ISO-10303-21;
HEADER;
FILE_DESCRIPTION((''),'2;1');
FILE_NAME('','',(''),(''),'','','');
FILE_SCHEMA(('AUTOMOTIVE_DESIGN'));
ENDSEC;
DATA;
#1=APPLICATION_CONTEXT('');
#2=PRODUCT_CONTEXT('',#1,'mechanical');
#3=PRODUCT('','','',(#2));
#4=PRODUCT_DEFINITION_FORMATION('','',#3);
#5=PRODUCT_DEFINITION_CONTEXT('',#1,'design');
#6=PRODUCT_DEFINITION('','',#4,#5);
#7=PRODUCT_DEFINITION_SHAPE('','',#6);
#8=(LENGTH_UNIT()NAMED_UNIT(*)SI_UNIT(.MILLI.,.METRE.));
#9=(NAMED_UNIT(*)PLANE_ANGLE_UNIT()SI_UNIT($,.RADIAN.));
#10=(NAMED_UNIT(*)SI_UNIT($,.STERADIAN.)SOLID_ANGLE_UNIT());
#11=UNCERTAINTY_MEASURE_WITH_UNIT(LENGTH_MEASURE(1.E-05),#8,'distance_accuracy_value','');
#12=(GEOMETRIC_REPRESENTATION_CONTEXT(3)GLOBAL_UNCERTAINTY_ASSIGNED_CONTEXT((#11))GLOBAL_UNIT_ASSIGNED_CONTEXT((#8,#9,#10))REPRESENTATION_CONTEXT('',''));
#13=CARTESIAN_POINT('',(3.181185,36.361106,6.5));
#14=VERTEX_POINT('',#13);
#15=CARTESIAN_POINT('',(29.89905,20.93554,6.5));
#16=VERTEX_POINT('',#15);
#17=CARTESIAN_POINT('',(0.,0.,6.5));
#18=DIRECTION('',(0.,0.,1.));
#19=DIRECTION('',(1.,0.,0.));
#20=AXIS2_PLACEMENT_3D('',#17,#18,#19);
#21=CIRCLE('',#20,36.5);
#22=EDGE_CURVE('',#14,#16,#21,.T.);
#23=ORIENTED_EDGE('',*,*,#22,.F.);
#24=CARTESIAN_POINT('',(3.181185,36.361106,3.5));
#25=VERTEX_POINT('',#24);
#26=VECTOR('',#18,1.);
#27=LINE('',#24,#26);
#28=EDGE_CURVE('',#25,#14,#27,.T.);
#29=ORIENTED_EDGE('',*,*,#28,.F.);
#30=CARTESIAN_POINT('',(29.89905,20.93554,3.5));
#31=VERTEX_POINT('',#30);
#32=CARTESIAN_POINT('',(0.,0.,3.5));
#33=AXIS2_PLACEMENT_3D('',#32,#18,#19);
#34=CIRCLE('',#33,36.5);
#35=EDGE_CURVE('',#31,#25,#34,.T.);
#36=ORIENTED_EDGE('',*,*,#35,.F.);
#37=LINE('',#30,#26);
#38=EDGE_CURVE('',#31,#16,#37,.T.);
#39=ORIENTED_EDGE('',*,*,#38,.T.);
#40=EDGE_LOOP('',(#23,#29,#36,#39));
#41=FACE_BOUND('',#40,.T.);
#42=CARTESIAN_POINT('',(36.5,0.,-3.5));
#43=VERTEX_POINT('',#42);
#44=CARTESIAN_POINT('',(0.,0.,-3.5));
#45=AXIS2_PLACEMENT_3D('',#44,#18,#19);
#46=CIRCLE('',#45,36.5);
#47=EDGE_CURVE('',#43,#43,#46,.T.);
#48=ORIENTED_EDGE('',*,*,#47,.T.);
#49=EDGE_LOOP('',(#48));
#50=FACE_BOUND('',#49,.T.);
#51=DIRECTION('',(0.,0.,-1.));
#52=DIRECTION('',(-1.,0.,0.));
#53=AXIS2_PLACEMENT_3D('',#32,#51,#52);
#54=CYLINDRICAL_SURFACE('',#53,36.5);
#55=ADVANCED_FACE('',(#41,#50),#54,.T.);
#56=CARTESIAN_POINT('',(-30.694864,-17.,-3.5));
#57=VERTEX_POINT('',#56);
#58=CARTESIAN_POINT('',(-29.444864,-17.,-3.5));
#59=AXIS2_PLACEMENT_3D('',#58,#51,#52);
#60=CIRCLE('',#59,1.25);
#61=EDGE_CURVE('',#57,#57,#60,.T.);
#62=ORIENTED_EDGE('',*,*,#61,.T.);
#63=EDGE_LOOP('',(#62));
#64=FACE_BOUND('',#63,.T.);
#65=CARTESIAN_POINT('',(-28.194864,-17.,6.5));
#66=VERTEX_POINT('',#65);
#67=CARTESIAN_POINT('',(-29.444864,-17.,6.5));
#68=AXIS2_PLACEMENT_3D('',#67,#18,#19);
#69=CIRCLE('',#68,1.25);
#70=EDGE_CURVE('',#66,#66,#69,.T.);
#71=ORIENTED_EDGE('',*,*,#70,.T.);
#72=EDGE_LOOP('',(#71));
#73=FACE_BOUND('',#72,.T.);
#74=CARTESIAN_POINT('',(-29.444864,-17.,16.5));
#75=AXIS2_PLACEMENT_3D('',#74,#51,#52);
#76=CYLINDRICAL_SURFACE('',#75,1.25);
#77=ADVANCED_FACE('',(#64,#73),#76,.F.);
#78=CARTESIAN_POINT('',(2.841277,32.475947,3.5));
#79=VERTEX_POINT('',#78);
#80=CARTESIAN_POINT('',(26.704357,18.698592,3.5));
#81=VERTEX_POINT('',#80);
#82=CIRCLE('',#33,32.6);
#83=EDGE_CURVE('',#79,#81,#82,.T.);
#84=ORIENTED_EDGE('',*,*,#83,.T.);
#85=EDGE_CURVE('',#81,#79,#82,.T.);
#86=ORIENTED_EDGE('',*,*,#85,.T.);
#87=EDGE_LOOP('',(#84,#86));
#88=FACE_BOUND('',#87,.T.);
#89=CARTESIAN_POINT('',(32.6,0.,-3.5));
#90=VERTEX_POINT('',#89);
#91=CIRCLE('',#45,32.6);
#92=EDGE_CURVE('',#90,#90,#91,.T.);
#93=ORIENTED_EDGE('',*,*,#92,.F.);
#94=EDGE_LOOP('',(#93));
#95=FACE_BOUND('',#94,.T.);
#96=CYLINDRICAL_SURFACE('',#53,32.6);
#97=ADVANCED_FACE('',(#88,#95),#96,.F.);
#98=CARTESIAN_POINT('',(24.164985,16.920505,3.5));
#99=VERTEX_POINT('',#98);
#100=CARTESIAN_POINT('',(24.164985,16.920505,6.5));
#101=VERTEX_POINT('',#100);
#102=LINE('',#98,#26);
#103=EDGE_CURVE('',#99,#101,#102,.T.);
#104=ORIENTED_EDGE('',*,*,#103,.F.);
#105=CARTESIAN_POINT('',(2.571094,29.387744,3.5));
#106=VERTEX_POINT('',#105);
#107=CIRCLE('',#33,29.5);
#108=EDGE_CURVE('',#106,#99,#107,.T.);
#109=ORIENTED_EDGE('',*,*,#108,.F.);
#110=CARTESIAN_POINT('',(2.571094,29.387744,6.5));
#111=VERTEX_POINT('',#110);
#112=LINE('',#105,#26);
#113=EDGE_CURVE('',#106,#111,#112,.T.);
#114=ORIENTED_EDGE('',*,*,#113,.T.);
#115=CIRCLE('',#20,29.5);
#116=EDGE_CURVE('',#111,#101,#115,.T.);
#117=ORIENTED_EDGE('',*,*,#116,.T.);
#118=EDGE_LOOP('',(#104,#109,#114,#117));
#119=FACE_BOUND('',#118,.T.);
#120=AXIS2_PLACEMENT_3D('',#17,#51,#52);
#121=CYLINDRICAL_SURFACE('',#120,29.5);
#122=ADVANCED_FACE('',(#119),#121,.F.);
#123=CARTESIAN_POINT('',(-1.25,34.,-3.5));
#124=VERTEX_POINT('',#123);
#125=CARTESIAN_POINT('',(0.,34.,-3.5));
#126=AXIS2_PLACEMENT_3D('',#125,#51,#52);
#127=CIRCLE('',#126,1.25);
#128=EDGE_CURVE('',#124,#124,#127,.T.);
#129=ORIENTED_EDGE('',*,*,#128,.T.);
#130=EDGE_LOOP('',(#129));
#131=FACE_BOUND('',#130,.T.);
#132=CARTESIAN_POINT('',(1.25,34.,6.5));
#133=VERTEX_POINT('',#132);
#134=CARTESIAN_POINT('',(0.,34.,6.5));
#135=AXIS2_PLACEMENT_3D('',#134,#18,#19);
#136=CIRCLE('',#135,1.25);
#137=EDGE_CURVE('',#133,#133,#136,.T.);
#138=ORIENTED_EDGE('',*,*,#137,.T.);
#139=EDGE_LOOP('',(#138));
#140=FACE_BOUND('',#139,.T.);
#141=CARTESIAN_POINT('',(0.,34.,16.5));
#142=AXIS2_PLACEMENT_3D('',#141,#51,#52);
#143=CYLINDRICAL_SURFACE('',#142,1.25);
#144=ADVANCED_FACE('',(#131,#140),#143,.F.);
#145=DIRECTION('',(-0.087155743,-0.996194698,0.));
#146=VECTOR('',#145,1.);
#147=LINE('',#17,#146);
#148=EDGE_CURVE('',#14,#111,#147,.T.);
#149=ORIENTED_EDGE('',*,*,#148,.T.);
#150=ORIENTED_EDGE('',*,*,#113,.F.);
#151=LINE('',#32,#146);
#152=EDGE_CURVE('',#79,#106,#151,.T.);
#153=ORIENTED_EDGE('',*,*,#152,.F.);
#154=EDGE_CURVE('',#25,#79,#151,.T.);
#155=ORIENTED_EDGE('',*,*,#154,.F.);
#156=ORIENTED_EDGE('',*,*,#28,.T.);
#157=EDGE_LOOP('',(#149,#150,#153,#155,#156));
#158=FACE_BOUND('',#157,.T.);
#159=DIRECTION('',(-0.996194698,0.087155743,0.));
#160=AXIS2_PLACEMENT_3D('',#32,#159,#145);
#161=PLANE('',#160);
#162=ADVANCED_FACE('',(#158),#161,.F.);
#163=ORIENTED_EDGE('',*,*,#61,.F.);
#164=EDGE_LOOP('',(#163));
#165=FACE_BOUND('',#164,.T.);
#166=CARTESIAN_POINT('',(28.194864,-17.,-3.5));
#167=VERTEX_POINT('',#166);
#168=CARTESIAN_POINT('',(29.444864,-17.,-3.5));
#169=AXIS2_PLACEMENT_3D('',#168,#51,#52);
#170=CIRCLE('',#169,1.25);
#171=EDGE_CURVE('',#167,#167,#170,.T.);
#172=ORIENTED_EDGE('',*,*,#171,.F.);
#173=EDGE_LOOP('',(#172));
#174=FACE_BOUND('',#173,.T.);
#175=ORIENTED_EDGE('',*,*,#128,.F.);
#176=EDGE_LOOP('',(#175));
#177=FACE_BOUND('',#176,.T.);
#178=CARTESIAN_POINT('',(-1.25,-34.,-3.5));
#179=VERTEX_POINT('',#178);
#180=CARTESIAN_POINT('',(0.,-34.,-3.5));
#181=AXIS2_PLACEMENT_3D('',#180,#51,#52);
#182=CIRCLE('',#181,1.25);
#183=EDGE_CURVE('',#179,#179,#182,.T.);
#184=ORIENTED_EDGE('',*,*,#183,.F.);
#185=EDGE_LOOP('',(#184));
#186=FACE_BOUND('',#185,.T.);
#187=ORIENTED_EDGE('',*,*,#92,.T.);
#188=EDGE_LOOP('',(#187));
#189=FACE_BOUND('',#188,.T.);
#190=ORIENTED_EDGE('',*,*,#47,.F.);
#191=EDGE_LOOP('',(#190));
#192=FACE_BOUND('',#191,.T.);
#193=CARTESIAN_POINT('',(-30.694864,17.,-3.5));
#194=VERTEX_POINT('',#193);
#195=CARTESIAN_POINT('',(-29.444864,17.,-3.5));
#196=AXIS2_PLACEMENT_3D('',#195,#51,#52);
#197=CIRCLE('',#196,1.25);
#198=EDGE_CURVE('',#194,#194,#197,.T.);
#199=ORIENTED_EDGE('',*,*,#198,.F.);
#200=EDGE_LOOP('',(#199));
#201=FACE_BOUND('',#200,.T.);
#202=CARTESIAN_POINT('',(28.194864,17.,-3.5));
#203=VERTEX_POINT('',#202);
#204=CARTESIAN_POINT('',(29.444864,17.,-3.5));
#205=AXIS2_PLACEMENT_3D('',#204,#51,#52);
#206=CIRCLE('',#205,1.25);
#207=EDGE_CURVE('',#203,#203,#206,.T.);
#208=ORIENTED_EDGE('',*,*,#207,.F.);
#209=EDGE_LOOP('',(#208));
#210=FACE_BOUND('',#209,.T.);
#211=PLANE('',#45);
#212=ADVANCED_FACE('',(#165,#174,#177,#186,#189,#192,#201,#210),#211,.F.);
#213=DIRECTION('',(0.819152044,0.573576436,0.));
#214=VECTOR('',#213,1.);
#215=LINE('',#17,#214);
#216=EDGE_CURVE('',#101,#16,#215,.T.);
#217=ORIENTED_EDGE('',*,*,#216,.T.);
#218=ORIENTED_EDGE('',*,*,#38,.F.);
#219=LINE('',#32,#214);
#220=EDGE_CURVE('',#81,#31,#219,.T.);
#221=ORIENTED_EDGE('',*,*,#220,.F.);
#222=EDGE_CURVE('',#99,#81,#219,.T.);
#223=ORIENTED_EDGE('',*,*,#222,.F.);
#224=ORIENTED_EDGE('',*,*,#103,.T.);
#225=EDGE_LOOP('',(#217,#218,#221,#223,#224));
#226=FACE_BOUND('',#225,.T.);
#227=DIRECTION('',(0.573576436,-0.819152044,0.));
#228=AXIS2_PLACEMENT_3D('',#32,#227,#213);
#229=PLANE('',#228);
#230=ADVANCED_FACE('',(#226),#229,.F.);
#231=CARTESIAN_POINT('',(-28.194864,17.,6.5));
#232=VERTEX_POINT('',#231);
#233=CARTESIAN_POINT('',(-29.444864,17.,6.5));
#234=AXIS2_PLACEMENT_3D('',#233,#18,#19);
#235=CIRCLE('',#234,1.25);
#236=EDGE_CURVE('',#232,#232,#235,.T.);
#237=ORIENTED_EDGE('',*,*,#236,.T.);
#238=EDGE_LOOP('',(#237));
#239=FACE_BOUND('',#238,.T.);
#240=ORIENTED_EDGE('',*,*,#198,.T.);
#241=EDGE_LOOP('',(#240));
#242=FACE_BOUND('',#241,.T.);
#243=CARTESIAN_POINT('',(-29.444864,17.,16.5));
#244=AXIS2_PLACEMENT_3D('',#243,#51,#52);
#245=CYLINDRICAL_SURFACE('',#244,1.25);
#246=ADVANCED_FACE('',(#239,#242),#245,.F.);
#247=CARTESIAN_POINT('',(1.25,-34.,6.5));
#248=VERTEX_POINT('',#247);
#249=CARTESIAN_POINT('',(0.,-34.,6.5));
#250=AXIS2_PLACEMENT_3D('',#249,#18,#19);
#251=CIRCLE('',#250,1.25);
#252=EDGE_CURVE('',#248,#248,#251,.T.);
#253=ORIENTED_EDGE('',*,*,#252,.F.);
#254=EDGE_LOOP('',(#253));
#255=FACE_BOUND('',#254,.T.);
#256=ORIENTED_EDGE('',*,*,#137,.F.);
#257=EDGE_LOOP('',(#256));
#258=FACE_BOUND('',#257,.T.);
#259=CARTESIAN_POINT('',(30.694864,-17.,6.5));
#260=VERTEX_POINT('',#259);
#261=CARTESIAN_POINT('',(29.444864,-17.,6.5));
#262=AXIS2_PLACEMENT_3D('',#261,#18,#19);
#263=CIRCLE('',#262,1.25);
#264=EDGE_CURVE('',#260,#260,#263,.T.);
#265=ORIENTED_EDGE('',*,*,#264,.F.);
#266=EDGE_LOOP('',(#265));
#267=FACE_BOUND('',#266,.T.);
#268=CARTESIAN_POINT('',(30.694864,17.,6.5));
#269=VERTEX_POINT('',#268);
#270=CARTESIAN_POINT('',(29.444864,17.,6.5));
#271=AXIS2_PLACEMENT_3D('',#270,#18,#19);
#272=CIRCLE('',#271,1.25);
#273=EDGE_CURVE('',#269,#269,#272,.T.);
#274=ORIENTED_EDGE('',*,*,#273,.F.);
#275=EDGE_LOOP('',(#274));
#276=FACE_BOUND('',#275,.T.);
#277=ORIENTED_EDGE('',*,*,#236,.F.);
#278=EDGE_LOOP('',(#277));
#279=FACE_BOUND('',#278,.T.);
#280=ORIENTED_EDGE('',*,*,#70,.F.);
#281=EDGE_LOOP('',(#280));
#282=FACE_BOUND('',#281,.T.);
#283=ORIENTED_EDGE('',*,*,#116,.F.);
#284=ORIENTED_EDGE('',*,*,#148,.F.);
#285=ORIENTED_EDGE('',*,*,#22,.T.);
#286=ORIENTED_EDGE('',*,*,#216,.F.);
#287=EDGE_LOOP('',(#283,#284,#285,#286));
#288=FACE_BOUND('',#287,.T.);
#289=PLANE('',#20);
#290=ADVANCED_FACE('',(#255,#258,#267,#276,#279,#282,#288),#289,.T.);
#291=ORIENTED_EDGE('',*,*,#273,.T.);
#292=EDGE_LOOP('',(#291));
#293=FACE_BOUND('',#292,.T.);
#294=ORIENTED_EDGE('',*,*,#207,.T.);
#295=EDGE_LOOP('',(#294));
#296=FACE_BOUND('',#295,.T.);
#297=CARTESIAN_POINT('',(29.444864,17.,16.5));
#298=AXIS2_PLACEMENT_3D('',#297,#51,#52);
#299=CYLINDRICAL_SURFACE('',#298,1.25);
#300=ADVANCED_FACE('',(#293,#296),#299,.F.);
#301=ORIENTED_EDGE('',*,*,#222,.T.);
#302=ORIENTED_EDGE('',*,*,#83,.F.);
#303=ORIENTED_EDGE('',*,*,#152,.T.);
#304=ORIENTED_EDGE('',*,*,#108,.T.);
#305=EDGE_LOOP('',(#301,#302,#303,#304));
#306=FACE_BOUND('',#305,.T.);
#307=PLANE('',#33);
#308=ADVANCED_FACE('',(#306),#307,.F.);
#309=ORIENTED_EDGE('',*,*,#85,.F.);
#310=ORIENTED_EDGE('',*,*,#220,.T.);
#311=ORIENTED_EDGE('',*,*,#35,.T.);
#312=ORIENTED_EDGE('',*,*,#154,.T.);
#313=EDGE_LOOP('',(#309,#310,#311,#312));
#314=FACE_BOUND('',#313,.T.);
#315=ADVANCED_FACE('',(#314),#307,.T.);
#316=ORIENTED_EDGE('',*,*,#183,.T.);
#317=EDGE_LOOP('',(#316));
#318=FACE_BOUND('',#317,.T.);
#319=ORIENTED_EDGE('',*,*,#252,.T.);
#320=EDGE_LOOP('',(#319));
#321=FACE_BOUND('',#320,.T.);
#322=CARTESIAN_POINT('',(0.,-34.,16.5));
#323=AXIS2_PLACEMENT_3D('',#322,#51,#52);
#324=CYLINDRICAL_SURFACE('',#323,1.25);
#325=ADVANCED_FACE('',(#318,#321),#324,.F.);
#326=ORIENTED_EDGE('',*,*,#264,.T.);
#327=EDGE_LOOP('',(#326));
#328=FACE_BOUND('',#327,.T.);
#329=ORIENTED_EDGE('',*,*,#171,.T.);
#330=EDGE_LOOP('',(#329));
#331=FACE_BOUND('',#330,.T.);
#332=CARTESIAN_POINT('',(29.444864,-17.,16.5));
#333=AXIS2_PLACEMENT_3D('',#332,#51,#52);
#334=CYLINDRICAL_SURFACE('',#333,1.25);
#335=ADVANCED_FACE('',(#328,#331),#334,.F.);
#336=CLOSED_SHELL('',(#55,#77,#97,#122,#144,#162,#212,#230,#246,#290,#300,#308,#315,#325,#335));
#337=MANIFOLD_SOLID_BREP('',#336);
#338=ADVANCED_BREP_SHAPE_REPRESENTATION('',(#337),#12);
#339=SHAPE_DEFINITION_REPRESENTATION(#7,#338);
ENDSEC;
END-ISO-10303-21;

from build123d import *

# Parameters (mm, degrees)
SKETCH_1_R          = 36.5
SKETCH_1_R_2        = 32.6
EXTRUDE_1_DEPTH     = 3.5
EXTRUDE_START       = 3
SKETCH_2_R          = 36.5
SKETCH_2_R_2        = 29.5
EXTRUDE_2_DEPTH     = 3
SKETCH_3_R          = 1.25
CUT_EXTRUDE_1_DEPTH = 20
CUT_EXTRUDE_2_DEPTH = 3


with BuildPart() as part:
    # 草图1 → 凸台-拉伸1 (new, symmetric)
    with BuildSketch(Plane.XY):
        Circle(SKETCH_1_R)
        Circle(SKETCH_1_R_2, mode=Mode.SUBTRACT)
    extrude(amount=EXTRUDE_1_DEPTH, both=True)

    # 草图2 → 凸台-拉伸2 (add)
    with BuildSketch(Plane.XY.offset(3.5).offset(EXTRUDE_START)):
        Circle(SKETCH_2_R)
        Circle(SKETCH_2_R_2, mode=Mode.SUBTRACT)
    extrude(amount=-EXTRUDE_2_DEPTH)

    # 草图3 → 切除-拉伸1 (cut)
    with BuildSketch(Plane(origin=(0, 0, -3.5), x_dir=(-1, 0, 0), z_dir=(0, 0, -1))):
        with Locations((0, 34)):
            Circle(SKETCH_3_R)
        with Locations((29.444863729, 17)):
            Circle(SKETCH_3_R)
        with Locations((29.444863729, -17)):
            Circle(SKETCH_3_R)
        with Locations((0, -34)):
            Circle(SKETCH_3_R)
        with Locations((-29.444863729, -17)):
            Circle(SKETCH_3_R)
        with Locations((-29.444863729, 17)):
            Circle(SKETCH_3_R)
    extrude(amount=-CUT_EXTRUDE_1_DEPTH, mode=Mode.SUBTRACT)

    # 草图4 → 切除-拉伸2 (cut)
    with BuildSketch(Plane.XY.offset(6.5)):
        Polygon((19.356134005, 221.241624062), (3.18118461, 36.36110648), (0, 0), (29.899049617, 20.935539927), (181.922799809, 127.383715799), (367.509530933, 448.829363315), (204.942865129, 542.687271578), align=None)
    extrude(amount=-CUT_EXTRUDE_2_DEPTH, mode=Mode.SUBTRACT)


solid = part.part
